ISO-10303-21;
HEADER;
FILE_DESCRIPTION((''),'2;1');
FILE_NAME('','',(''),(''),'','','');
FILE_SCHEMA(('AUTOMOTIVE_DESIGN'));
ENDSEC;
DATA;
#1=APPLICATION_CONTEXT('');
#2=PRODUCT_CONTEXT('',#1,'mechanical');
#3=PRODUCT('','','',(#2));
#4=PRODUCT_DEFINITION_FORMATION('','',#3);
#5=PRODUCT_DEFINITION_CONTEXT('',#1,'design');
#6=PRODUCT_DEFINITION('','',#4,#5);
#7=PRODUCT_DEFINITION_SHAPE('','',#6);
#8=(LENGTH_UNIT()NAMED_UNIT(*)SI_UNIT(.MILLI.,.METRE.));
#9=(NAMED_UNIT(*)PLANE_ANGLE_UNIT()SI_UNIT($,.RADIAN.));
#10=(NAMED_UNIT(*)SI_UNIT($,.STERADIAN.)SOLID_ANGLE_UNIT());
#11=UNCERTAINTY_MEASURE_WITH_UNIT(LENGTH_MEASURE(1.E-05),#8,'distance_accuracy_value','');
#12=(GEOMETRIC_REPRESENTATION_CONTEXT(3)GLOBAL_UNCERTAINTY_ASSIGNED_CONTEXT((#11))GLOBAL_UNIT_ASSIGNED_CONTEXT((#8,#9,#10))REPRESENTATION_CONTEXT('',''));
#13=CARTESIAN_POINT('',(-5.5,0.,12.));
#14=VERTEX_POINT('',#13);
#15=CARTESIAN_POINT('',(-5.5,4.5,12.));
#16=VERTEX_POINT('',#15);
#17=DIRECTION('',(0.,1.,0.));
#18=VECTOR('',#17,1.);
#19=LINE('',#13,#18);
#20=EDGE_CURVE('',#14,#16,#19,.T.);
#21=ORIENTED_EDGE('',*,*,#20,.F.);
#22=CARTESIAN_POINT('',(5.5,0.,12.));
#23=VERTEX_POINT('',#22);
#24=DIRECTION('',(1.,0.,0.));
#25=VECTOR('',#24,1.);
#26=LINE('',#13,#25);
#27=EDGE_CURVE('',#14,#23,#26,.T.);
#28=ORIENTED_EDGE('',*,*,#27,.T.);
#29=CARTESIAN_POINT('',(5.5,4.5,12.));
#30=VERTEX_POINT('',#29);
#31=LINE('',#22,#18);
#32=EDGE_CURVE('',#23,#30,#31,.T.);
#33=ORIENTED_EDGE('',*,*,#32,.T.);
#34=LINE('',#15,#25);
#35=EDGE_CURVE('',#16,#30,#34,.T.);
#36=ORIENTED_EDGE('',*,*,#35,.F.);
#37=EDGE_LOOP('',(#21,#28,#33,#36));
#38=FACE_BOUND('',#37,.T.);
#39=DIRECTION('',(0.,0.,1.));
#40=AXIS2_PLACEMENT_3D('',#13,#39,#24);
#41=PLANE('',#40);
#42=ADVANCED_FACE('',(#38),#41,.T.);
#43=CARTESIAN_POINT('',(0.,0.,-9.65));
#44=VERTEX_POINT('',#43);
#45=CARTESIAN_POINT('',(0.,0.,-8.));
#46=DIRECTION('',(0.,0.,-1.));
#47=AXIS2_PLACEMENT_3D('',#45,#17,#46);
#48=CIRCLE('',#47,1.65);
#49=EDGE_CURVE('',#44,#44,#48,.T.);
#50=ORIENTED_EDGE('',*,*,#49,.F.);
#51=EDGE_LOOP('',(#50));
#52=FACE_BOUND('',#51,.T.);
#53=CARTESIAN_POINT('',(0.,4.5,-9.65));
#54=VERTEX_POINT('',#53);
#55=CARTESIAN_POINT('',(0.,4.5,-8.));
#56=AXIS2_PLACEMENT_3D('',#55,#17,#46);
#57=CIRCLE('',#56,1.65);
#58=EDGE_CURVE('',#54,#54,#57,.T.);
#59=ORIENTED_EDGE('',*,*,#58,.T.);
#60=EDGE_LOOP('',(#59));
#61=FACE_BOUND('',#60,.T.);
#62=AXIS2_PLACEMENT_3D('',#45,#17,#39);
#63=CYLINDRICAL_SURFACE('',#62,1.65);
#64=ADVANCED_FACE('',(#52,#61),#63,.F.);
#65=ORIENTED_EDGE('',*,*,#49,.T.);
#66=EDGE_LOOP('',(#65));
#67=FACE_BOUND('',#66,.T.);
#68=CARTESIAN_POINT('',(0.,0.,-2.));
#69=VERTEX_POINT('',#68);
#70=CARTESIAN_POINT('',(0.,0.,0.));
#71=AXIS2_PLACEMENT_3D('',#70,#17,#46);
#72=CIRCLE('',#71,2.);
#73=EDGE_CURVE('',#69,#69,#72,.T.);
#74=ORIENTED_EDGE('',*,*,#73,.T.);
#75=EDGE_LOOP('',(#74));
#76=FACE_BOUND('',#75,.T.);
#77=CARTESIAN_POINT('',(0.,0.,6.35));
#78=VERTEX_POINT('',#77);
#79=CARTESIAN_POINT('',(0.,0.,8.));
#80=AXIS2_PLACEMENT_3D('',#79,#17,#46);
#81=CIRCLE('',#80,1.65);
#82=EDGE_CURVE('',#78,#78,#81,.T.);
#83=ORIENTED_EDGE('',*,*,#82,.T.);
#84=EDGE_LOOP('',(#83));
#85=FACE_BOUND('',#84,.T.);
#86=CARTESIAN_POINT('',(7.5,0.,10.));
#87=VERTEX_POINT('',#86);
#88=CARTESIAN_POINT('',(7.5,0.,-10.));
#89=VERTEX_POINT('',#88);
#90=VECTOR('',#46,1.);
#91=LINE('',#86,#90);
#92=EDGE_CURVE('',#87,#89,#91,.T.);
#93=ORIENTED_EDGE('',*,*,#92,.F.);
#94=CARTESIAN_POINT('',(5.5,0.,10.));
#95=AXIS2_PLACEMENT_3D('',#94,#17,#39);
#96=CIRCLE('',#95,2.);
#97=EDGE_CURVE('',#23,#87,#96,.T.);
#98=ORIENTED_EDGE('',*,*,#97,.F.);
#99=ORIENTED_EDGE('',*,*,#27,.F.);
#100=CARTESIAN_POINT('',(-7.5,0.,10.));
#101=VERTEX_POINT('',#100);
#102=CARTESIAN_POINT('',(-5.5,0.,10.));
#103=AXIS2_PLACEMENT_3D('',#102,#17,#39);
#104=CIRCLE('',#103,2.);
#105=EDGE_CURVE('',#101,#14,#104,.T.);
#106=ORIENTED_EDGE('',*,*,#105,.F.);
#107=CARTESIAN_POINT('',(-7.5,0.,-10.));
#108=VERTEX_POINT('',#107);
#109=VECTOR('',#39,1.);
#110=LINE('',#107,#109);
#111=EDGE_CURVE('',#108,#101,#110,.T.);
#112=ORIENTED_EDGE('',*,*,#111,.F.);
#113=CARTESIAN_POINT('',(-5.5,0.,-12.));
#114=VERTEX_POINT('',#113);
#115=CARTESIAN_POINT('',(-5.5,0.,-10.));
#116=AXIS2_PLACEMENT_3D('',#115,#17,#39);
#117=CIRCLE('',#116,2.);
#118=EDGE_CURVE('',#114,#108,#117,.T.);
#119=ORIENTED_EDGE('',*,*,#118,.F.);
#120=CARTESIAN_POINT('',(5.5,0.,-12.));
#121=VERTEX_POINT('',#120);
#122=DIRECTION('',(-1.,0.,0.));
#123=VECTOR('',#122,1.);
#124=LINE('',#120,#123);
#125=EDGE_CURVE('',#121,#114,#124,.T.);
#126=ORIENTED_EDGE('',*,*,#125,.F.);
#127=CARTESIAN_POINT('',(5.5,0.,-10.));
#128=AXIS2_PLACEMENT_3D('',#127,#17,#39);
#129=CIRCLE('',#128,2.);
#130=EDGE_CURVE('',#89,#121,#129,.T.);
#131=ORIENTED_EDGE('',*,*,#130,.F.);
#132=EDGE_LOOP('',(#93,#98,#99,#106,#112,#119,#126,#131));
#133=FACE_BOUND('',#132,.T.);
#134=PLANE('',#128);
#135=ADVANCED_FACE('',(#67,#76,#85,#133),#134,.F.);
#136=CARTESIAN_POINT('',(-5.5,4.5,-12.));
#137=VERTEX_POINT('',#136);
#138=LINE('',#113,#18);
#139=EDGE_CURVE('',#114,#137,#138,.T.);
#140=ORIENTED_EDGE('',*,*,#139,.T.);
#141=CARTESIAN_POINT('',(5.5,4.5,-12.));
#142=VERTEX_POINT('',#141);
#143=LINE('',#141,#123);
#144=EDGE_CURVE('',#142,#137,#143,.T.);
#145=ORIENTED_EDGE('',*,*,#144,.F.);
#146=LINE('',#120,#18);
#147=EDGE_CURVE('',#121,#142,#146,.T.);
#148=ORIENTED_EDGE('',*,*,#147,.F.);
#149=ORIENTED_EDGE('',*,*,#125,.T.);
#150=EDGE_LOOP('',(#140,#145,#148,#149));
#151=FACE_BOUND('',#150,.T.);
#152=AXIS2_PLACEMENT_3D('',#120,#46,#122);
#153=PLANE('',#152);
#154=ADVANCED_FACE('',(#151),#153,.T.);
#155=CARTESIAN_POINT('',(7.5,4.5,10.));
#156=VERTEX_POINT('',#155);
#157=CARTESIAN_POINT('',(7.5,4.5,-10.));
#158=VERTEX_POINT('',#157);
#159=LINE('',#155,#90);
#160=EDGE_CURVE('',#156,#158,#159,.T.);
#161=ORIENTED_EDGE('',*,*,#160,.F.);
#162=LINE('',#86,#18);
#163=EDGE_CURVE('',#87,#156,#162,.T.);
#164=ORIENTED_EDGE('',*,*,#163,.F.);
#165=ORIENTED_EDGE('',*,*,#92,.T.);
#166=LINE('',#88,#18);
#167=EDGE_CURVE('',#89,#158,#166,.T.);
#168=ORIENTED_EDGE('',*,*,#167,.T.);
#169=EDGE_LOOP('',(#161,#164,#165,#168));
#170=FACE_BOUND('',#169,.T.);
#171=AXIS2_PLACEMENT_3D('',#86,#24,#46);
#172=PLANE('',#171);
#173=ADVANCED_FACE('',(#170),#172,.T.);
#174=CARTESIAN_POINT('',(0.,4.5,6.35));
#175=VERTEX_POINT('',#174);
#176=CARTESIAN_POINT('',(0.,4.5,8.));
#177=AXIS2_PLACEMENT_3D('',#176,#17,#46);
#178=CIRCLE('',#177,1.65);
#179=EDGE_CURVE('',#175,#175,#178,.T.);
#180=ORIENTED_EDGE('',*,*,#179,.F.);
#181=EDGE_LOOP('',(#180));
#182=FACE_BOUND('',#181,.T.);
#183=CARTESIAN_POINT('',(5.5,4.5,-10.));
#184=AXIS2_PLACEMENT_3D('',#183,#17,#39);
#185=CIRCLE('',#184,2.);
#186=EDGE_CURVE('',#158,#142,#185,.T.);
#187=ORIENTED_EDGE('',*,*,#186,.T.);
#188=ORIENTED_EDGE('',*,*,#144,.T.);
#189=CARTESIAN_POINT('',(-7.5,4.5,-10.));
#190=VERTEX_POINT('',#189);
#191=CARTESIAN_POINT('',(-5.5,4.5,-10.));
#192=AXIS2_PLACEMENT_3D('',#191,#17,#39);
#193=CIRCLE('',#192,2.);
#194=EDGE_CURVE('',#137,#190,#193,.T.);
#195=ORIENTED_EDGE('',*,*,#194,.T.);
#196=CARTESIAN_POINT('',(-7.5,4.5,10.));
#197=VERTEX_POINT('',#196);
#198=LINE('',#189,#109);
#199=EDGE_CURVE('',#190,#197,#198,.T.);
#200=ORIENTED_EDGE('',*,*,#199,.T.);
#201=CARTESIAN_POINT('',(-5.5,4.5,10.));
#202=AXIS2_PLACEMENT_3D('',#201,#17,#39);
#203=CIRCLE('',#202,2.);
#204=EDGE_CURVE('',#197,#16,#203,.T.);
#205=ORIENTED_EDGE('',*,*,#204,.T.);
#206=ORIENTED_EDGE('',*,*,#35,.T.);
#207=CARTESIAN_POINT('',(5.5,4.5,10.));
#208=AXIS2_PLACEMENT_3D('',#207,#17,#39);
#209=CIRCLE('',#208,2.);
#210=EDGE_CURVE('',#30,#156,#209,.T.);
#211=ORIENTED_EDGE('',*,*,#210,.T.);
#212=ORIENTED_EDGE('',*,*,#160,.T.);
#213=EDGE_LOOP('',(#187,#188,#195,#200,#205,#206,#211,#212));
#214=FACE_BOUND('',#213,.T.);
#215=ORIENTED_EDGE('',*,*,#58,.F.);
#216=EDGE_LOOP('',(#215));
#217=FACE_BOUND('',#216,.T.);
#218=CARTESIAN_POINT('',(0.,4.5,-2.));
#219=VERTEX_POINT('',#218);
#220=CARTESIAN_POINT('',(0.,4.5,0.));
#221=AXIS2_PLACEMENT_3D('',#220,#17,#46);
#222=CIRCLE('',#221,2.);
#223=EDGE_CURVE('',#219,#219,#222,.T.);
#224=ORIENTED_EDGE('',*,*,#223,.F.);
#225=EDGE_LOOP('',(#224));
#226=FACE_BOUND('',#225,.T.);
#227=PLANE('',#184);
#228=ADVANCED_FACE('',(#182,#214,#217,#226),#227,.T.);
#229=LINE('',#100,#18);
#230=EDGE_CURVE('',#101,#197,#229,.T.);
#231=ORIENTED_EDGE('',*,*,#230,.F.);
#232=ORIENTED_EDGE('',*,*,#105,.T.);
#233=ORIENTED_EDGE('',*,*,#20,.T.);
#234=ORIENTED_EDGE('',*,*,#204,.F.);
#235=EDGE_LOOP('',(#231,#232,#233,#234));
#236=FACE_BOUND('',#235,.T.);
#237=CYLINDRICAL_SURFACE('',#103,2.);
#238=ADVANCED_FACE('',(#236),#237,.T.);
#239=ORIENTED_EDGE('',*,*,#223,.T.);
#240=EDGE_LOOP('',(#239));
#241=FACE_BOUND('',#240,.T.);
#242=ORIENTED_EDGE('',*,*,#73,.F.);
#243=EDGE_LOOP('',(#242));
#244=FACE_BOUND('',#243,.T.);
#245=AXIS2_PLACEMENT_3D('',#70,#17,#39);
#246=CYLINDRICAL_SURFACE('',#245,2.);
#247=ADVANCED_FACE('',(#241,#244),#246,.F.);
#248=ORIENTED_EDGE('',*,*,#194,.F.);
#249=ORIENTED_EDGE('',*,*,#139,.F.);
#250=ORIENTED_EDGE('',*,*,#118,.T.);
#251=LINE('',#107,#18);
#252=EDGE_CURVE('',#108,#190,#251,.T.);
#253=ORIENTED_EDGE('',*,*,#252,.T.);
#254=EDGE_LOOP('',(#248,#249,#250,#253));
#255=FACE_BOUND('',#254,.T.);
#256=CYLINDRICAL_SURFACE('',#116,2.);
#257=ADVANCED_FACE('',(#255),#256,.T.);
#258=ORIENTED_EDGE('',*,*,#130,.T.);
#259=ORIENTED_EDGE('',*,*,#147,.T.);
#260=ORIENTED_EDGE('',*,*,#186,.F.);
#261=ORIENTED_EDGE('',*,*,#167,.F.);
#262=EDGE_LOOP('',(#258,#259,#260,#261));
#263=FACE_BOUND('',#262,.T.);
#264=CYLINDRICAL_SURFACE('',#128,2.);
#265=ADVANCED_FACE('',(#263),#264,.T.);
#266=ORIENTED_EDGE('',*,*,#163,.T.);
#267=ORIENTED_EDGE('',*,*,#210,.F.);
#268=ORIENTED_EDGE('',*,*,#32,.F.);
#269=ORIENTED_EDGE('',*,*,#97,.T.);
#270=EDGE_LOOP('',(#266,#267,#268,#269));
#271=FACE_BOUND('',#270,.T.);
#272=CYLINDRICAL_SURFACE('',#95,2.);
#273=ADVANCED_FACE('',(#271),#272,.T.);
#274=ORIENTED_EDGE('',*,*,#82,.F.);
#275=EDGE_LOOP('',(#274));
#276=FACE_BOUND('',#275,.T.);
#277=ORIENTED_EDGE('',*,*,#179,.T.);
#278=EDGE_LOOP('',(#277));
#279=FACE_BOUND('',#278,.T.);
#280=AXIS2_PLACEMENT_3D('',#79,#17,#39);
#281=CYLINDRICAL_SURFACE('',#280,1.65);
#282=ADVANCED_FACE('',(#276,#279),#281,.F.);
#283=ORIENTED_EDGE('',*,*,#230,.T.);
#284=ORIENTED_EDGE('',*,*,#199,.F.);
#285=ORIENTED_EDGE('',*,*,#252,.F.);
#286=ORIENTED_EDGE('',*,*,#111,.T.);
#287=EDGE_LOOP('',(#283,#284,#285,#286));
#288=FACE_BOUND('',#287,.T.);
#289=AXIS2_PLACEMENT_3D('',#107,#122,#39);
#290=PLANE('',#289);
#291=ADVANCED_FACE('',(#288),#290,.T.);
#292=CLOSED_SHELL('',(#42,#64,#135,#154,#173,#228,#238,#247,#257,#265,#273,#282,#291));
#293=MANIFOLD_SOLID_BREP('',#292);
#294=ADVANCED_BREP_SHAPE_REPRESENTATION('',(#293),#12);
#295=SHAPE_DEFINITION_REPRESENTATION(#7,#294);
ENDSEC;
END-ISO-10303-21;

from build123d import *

# Parameters (mm, degrees)
SKETCH1_R           = 2
SKETCH1_R_2         = 1.65
BOSS_EXTRUDE1_DEPTH = 4.5


with BuildPart() as part:
    # Sketch1 → Boss-Extrude1 (new body)
    with BuildSketch(Plane(origin=(0, 4.5, 0), x_dir=(1, 0, 0), z_dir=(0, 1, 0))):
        with BuildLine():
            Line((5.5, 12), (-5.5, 12))
            ThreePointArc((-5.5, 12), (-6.914213562, 11.414213562), (-7.5, 10))
            Line((-7.5, 10), (-7.5, -10))
            ThreePointArc((-7.5, -10), (-6.914213562, -11.414213562), (-5.5, -12))
            Line((-5.5, -12), (5.5, -12))
            ThreePointArc((5.5, -12), (6.914213562, -11.414213562), (7.5, -10))
            Line((7.5, -10), (7.5, 10))
            ThreePointArc((7.5, 10), (6.914213562, 11.414213562), (5.5, 12))
        make_face()
        Circle(SKETCH1_R, mode=Mode.SUBTRACT)
        with Locations((0, -8)):
            Circle(SKETCH1_R_2, mode=Mode.SUBTRACT)
        with Locations((0, 8)):
            Circle(SKETCH1_R_2, mode=Mode.SUBTRACT)
    extrude(amount=-BOSS_EXTRUDE1_DEPTH)


solid = part.part
